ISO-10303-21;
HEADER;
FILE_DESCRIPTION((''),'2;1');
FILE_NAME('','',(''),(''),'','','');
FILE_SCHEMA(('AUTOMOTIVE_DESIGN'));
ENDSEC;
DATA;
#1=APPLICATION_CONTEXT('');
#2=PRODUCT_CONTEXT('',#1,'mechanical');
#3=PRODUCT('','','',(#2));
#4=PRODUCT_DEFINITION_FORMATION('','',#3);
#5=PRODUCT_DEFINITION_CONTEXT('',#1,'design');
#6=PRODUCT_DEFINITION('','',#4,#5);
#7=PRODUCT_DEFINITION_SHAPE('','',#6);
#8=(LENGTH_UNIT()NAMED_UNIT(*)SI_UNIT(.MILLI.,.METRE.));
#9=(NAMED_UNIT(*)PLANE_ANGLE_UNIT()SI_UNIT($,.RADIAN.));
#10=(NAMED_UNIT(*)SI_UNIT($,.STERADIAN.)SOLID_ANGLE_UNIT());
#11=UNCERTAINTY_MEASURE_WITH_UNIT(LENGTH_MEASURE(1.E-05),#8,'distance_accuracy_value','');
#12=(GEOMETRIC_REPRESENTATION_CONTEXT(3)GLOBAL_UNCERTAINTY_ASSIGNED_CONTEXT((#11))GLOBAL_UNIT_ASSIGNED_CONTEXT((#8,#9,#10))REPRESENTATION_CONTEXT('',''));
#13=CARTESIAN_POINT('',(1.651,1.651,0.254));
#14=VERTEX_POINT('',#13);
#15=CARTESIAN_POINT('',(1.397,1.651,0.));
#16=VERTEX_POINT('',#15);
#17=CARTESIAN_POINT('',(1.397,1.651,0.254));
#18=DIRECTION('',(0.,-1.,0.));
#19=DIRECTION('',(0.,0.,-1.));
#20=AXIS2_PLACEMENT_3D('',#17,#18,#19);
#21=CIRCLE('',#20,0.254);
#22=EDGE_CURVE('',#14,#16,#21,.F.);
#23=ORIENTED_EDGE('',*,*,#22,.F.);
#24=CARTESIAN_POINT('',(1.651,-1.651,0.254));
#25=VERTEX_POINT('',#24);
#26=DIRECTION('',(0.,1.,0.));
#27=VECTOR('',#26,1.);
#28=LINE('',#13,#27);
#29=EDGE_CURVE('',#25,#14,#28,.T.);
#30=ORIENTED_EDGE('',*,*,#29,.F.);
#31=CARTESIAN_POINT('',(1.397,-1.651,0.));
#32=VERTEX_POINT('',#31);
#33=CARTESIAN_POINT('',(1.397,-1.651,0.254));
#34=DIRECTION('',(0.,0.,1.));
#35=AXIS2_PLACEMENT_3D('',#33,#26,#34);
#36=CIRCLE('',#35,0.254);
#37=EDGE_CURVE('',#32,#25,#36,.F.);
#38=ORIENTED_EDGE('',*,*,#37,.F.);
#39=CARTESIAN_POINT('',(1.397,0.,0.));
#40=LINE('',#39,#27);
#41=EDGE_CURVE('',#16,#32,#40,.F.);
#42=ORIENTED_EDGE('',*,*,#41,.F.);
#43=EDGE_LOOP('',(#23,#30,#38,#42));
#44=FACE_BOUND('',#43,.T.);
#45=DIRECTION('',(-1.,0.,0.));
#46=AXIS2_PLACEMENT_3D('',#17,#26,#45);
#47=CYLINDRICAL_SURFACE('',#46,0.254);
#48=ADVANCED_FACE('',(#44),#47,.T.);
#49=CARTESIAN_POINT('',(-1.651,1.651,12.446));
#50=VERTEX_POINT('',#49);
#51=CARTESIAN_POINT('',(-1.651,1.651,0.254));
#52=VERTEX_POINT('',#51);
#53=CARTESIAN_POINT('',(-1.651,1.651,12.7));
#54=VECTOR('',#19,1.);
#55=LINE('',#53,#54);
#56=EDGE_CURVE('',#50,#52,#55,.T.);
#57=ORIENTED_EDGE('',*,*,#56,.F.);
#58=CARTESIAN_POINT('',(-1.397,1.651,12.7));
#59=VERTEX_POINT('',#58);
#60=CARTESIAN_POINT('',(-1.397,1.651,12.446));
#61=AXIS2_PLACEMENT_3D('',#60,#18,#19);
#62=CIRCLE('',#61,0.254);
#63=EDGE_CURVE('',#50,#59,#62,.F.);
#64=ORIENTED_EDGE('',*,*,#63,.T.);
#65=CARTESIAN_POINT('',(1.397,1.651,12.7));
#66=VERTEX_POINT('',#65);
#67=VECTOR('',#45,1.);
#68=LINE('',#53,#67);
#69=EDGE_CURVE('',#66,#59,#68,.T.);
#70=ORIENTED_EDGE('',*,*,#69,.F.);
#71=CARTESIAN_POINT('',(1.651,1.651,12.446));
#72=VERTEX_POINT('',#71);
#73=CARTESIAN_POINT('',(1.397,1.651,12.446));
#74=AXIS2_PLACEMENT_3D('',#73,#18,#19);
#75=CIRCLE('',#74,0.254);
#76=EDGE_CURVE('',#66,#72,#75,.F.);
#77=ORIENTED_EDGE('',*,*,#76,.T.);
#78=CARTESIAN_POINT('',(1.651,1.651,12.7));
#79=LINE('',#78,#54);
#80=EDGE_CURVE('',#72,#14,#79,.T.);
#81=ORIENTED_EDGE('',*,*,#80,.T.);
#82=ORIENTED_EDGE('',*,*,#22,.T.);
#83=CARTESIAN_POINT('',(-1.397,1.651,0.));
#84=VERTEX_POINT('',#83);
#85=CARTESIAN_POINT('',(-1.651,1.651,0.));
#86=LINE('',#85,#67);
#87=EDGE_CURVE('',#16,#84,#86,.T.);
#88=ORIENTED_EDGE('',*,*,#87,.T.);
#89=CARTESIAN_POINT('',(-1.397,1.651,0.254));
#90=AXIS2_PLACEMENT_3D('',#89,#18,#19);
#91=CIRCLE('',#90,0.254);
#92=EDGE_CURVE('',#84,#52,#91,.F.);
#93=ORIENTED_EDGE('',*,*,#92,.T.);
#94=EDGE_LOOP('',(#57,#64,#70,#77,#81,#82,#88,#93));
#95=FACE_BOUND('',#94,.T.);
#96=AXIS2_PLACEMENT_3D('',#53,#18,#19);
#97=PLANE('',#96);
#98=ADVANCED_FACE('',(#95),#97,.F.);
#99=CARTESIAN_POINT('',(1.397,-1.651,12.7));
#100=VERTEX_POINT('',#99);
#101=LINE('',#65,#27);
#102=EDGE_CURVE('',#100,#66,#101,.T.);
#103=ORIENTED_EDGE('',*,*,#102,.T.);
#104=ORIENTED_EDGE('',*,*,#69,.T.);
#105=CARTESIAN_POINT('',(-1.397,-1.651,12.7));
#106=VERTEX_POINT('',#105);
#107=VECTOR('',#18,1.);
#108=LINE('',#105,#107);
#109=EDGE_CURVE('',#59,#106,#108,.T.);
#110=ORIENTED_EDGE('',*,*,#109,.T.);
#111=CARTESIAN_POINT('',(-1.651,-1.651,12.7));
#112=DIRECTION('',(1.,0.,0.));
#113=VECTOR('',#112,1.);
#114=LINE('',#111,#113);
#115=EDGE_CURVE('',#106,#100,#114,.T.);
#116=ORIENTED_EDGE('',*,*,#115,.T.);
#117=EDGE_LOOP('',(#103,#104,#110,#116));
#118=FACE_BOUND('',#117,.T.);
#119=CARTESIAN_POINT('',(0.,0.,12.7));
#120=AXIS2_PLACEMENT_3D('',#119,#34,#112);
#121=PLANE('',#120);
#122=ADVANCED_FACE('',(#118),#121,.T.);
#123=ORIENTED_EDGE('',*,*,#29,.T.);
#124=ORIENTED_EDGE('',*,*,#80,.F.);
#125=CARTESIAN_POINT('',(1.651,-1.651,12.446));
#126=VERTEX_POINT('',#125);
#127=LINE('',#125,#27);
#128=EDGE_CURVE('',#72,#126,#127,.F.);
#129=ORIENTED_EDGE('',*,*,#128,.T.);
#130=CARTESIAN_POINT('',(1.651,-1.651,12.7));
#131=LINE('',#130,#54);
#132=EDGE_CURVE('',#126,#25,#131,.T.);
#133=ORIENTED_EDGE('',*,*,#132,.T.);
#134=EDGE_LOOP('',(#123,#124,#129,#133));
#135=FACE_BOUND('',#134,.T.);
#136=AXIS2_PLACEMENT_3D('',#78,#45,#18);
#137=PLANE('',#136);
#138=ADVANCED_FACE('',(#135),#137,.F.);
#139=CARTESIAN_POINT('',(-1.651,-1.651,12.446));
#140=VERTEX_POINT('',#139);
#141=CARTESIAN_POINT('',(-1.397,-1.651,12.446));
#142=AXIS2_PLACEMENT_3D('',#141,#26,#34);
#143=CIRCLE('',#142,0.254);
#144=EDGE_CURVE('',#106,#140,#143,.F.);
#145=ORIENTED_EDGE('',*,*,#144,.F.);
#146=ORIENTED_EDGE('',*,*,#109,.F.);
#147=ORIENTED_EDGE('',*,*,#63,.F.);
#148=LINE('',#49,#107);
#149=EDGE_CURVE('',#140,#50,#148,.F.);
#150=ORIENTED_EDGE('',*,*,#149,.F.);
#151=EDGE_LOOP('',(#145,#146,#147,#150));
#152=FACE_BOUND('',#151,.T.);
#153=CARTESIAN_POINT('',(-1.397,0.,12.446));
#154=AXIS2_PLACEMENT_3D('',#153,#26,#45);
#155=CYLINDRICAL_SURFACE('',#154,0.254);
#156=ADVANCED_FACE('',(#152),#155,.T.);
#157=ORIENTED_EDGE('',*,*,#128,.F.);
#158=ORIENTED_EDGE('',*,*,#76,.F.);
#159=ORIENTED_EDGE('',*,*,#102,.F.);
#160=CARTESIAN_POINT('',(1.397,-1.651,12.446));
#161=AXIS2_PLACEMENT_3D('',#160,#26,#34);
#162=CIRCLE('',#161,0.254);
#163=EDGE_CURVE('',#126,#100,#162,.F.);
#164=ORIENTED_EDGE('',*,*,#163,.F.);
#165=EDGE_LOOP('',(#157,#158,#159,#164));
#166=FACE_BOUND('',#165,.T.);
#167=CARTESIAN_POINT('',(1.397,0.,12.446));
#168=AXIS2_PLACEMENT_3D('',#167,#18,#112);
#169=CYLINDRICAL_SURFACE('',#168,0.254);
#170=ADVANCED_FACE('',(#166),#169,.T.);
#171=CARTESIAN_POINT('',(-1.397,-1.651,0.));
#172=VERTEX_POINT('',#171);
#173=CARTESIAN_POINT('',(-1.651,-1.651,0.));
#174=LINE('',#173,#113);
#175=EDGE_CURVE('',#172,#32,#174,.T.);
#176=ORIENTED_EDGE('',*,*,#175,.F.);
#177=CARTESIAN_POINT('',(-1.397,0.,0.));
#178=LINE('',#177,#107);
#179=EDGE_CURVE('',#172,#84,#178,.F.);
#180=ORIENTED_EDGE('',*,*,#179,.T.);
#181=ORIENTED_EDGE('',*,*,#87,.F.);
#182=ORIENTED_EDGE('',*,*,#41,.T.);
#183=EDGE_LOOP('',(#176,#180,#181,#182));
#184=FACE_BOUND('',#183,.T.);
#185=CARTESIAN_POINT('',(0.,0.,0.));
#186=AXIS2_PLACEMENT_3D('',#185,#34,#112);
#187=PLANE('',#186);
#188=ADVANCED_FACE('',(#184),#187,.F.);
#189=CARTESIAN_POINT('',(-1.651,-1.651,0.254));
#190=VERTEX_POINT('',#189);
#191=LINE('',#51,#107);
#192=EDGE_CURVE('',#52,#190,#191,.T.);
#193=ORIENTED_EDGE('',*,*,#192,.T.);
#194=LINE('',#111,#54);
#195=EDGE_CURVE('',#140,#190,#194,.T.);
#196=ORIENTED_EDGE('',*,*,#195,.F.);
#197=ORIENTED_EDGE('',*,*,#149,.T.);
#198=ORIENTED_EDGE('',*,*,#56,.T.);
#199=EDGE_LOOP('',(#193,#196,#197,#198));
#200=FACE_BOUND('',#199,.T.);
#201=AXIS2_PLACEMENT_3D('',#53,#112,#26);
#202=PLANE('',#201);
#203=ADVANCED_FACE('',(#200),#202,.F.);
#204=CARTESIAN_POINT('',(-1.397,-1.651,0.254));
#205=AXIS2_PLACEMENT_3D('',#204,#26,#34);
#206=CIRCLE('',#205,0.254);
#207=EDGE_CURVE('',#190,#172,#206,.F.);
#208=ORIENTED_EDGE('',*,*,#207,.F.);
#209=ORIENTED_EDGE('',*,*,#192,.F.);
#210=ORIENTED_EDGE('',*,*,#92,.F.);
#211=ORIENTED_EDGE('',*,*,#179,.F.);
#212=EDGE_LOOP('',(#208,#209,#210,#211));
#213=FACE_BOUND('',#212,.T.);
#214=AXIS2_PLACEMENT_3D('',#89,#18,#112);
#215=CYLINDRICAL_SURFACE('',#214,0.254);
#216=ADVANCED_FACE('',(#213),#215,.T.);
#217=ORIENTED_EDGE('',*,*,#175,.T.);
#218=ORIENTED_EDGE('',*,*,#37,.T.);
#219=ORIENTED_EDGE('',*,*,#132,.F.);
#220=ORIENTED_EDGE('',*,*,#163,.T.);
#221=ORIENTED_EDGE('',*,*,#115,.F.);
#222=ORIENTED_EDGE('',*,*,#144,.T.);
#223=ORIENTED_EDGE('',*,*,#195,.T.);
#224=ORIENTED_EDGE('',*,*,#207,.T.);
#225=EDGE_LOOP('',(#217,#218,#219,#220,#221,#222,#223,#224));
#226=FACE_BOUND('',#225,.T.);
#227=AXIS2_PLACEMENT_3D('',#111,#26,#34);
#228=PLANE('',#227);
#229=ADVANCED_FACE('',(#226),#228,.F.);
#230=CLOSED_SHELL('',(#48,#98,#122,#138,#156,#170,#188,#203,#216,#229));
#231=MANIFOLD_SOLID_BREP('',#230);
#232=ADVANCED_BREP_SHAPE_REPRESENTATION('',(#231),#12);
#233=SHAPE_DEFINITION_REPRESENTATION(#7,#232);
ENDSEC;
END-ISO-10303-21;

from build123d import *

# Parameters (mm, degrees)
SKETCH1_W           = 3.302
SKETCH1_H           = 3.302
BOSS_EXTRUDE1_DEPTH = 12.7
FILLET1_R           = 0.254


with BuildPart() as part:
    # Sketch1 → Boss-Extrude1 (new body)
    with BuildSketch(Plane.XY):
        Rectangle(SKETCH1_W, SKETCH1_H)
    extrude(amount=BOSS_EXTRUDE1_DEPTH)

    # Fillet1
    fillet1_edges = [part.edges().sort_by_distance(p)[0] for p in [
        (-1.651, 0, 12.7),
        (1.651, 0, 12.7),
        (-1.651, 0, 0),
        (1.651, 0, 0),
    ]]
    fillet(fillet1_edges, radius=FILLET1_R)


solid = part.part
